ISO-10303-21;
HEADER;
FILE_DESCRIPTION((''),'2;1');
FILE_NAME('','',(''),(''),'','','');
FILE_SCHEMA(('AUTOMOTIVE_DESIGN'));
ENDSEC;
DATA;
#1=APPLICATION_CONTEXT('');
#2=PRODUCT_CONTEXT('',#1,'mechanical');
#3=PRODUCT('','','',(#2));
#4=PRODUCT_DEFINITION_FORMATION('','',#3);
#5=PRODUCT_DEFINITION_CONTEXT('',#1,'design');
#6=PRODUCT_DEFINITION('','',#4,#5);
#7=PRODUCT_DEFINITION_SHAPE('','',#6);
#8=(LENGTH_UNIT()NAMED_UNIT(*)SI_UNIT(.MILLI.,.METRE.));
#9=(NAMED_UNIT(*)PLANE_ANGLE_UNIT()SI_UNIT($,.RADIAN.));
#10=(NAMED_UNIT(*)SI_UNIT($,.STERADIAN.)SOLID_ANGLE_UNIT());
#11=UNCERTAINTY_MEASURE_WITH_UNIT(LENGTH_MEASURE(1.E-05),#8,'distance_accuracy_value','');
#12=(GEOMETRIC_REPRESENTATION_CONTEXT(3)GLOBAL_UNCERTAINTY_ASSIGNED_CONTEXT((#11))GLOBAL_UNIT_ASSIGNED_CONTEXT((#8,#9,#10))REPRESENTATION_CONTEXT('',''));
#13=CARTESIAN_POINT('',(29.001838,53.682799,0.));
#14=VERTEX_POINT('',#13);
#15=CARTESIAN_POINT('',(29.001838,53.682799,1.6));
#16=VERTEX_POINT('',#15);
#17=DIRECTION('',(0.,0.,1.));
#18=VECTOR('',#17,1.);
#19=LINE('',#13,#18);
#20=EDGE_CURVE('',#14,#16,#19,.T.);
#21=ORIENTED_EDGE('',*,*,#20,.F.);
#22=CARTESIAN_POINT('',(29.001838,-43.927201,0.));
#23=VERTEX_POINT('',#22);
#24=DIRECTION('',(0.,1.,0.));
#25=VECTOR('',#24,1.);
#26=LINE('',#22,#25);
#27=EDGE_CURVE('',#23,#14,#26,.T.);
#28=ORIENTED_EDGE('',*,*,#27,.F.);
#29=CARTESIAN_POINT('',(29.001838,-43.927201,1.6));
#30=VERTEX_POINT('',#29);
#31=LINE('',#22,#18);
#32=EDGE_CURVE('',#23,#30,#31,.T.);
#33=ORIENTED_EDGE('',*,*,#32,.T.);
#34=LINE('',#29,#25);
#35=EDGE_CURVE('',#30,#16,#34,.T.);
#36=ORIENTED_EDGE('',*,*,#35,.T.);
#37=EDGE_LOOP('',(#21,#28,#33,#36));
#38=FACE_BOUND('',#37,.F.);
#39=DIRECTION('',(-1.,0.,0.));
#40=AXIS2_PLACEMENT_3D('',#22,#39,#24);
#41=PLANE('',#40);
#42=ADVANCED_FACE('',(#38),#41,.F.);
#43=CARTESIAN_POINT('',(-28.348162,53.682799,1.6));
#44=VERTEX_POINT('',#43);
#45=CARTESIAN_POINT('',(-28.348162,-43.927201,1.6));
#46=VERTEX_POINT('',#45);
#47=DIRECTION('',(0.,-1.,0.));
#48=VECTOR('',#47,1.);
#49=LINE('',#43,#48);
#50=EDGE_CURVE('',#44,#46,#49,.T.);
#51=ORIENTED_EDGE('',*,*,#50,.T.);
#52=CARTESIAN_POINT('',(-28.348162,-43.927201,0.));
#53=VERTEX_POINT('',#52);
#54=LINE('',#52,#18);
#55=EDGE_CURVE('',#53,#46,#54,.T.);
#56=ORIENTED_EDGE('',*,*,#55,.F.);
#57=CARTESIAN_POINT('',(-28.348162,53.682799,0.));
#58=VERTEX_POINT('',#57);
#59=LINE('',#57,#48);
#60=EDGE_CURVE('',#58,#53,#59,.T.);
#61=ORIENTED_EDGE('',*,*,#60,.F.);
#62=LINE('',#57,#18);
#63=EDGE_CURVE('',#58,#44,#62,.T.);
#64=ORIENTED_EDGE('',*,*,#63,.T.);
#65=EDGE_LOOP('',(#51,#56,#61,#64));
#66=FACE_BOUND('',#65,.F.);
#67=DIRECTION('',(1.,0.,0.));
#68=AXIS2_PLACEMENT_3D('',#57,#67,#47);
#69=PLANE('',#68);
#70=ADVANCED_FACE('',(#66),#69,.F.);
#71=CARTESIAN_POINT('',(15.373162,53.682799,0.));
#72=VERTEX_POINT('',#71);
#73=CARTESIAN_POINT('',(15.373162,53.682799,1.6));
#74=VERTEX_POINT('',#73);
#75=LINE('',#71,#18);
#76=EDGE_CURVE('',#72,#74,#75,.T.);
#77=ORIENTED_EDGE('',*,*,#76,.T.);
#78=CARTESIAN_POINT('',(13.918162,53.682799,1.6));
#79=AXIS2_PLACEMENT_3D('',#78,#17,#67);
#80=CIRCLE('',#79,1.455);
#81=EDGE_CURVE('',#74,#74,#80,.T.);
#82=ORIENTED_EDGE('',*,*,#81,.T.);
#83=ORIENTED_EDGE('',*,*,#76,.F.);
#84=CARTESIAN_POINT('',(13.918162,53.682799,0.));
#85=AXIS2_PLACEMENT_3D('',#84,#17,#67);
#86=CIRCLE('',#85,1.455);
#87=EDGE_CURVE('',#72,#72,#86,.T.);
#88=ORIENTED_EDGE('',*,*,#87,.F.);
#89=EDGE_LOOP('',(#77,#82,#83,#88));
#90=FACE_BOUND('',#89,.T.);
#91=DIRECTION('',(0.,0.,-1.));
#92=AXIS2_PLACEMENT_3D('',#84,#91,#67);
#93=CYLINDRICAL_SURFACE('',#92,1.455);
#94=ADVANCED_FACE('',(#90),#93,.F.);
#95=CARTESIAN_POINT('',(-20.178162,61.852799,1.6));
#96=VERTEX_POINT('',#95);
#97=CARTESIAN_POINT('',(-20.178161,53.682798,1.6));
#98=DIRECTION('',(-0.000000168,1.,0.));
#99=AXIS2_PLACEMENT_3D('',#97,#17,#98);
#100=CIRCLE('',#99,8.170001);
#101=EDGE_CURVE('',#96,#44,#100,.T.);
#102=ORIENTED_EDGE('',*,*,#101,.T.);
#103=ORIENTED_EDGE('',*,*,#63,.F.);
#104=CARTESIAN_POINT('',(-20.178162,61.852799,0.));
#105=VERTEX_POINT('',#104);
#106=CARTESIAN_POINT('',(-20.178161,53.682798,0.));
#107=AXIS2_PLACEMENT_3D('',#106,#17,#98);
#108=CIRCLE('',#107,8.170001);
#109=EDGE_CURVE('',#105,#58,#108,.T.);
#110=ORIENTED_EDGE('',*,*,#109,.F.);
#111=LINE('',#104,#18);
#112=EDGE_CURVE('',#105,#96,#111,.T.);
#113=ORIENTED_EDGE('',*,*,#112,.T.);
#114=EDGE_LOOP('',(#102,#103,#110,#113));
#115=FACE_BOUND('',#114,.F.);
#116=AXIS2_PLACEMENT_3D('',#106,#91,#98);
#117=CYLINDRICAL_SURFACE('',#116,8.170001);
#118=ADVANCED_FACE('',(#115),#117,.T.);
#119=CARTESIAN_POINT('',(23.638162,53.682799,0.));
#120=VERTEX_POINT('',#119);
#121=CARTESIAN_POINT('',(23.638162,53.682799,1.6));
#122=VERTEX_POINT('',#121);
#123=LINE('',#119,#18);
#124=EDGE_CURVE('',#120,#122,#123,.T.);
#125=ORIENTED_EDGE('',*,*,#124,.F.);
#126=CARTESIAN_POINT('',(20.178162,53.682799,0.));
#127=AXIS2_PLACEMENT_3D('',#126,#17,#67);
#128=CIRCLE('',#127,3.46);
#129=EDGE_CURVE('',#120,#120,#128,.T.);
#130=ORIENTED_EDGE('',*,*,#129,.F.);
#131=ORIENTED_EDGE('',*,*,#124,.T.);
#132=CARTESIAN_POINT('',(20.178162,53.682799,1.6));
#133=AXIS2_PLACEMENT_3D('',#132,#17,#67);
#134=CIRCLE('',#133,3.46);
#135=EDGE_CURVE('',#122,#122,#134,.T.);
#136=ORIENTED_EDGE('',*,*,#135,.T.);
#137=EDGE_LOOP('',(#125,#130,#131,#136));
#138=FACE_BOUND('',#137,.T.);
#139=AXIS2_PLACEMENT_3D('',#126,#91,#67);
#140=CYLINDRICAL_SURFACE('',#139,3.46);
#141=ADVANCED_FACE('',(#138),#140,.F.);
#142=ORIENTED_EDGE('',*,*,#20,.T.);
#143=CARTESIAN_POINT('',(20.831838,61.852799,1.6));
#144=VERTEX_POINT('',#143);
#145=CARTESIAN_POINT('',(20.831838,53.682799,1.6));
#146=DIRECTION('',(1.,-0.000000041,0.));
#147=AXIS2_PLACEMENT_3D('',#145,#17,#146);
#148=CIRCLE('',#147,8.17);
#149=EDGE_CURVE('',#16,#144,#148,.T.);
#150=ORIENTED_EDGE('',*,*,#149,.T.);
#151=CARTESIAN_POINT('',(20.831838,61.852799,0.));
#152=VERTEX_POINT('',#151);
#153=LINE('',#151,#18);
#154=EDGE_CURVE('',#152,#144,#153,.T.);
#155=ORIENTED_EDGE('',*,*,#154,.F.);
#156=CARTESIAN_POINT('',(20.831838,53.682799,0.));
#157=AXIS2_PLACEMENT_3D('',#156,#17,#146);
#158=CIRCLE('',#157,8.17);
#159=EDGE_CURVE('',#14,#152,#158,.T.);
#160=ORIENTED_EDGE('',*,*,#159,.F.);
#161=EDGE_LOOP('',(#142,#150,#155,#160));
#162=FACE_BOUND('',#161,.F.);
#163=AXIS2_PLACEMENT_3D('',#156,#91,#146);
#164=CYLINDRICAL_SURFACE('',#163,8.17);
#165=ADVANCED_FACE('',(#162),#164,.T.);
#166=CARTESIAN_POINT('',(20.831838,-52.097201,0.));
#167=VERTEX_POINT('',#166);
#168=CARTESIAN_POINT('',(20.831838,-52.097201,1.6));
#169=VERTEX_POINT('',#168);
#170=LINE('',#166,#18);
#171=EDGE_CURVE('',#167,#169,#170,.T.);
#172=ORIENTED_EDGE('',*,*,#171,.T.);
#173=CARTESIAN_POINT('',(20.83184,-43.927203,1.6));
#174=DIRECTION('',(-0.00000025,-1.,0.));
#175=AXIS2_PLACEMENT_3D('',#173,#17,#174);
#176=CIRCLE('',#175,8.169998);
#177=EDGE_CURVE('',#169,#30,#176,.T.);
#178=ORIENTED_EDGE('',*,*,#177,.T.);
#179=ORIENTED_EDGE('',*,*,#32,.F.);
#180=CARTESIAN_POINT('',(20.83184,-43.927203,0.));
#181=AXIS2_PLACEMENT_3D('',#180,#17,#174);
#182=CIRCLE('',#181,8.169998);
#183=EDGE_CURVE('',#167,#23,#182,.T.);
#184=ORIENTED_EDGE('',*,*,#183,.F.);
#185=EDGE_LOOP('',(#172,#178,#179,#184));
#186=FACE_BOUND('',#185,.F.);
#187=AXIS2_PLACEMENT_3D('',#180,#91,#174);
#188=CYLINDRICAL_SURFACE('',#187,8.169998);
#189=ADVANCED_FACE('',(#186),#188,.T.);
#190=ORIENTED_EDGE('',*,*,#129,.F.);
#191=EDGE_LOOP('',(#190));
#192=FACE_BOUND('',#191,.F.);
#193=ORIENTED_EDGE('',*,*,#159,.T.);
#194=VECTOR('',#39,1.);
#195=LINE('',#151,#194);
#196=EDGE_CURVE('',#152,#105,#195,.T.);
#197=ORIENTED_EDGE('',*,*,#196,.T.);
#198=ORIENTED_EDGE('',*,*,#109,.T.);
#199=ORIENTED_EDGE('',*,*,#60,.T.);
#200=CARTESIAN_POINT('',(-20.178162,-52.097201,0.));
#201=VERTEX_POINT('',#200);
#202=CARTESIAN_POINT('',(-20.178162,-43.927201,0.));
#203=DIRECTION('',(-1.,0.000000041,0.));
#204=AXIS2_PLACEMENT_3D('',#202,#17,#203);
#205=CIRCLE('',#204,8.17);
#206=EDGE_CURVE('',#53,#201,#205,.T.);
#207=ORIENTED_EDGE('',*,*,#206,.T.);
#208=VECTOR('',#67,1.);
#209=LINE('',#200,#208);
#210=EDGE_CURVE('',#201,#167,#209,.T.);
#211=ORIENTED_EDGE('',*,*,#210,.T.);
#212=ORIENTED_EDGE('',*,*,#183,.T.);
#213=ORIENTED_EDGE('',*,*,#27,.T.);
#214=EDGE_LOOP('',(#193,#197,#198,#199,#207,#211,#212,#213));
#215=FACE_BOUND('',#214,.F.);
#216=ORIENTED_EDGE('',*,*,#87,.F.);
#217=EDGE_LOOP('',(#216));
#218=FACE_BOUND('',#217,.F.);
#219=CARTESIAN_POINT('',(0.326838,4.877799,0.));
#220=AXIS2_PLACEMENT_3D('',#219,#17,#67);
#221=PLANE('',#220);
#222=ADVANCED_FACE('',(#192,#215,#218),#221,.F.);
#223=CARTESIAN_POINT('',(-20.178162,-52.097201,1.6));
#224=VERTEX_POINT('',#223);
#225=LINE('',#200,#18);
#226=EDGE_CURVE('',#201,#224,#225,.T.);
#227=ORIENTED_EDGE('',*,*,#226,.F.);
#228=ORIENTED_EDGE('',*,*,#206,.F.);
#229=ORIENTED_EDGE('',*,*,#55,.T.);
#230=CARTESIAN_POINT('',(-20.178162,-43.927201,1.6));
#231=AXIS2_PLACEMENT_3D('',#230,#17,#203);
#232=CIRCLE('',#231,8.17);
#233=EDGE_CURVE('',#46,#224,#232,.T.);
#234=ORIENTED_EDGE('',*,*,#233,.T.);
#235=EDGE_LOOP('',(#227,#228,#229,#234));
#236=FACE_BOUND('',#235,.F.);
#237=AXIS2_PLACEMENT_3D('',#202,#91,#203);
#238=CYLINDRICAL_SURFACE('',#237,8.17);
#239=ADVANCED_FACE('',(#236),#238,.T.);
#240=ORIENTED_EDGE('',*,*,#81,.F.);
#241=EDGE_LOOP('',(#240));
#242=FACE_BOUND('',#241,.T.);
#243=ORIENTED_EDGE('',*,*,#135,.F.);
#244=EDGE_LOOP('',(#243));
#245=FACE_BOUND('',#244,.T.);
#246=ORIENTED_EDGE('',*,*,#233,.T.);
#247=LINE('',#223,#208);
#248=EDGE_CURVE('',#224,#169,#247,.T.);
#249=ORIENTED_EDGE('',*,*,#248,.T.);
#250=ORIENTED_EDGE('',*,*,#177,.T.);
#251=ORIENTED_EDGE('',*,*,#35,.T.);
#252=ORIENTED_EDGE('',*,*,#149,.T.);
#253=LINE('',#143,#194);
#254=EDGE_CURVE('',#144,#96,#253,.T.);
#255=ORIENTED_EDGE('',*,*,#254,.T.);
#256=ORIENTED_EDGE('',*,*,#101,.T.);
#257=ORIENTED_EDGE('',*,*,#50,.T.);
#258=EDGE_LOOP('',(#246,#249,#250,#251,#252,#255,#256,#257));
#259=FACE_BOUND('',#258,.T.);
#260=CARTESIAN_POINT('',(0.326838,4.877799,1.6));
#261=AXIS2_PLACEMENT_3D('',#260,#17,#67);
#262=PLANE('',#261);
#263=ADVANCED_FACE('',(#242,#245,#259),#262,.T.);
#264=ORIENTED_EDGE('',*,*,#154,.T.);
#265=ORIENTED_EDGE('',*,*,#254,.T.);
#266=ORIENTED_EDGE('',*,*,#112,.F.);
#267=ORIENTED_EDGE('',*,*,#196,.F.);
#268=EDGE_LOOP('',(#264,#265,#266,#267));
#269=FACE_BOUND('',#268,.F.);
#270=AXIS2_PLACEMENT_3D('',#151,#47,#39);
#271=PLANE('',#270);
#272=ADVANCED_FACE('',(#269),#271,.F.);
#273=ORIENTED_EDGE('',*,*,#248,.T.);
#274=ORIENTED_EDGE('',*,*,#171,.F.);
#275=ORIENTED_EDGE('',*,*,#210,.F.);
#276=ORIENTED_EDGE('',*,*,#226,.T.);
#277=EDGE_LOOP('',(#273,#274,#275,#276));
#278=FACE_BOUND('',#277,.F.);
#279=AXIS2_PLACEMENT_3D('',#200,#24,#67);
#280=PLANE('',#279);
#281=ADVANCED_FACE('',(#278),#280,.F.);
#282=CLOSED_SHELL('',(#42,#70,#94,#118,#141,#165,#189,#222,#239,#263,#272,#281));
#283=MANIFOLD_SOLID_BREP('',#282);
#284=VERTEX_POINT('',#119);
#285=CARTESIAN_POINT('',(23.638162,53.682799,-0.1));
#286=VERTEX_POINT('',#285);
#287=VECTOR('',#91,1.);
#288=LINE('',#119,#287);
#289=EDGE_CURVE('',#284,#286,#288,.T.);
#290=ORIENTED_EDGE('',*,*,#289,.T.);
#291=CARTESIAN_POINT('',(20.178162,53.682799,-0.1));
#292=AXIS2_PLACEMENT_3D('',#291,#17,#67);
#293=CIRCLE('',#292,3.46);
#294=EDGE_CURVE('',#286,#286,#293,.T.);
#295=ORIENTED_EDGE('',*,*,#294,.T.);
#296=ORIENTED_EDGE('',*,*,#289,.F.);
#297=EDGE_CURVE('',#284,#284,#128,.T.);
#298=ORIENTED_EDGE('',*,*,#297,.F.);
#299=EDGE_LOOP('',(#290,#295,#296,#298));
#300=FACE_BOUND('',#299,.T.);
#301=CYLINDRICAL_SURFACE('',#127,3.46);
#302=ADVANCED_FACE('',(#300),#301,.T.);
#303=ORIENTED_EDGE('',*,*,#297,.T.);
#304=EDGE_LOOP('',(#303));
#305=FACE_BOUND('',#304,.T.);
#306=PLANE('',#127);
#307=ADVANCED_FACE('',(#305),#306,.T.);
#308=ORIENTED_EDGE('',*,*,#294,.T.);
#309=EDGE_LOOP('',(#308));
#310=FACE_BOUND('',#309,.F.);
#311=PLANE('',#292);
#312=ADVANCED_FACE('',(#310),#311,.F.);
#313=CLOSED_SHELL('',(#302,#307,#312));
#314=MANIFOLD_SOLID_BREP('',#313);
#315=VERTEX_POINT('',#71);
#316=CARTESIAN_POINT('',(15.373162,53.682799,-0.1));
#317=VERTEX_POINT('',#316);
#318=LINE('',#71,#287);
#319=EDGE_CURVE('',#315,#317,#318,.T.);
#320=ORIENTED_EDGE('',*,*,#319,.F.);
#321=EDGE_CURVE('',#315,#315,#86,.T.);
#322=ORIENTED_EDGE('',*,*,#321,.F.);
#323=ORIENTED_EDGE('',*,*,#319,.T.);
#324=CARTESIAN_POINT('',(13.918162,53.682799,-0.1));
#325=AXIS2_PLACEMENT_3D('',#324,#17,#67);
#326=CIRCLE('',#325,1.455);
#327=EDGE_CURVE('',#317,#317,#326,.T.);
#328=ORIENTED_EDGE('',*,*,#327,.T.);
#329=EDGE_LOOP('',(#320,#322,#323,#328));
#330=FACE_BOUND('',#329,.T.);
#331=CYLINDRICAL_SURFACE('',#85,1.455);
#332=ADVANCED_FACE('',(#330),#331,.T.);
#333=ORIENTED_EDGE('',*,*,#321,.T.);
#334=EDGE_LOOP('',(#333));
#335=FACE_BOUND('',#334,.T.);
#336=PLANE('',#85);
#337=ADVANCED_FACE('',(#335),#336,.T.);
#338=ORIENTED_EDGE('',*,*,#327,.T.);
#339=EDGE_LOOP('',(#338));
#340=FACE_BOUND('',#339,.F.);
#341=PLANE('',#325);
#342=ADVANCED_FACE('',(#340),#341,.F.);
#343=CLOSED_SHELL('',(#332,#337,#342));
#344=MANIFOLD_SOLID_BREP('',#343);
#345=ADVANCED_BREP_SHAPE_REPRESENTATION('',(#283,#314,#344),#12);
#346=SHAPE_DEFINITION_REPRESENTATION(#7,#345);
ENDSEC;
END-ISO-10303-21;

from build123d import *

# Parameters (mm, degrees)
F0_R     = 1.455
F0_R_2   = 3.46
F1_DEPTH = 1.6
F2_DEPTH = 0.1
F3_DEPTH = 0.1


with BuildPart() as f1:
    # F0 (on Top) → F1 (new body)
    with BuildSketch(Plane.XY):
        with BuildLine():
            Line((20.831838, 61.852799), (-20.178162, 61.852799))
            ThreePointArc((-20.178162, 61.852799), (-25.955224, 59.459861), (-28.348162, 53.682799))
            Line((-28.348162, 53.682799), (-28.348162, -43.927201))
            ThreePointArc((-28.348162, -43.927201), (-25.955224, -49.704264), (-20.178162, -52.097201))
            Line((-20.178162, -52.097201), (20.831838, -52.097201))
            ThreePointArc((20.831838, -52.097201), (26.608901, -49.704264), (29.001838, -43.927201))
            Line((29.001838, -43.927201), (29.001838, 53.682799))
            ThreePointArc((29.001838, 53.682799), (26.608901, 59.459861), (20.831838, 61.852799))
        make_face()
        with Locations((13.918162, 53.682799)):
            Circle(F0_R, mode=Mode.SUBTRACT)
        with Locations((20.178162, 53.682799)):
            Circle(F0_R_2, mode=Mode.SUBTRACT)
    extrude(amount=F1_DEPTH)

    # F0 (on Top) → F2 (join)
    with BuildSketch(Plane.XY):
        with Locations((20.178162, 53.682799)):
            Circle(F0_R_2)
    extrude(amount=-F2_DEPTH)


with BuildPart() as f3:
    # F0 (on Top) → F3 (new body)
    with BuildSketch(Plane.XY):
        with Locations((13.918162, 53.682799)):
            Circle(F0_R)
    extrude(amount=-F3_DEPTH)


solid = Compound([f1.part, f3.part])
